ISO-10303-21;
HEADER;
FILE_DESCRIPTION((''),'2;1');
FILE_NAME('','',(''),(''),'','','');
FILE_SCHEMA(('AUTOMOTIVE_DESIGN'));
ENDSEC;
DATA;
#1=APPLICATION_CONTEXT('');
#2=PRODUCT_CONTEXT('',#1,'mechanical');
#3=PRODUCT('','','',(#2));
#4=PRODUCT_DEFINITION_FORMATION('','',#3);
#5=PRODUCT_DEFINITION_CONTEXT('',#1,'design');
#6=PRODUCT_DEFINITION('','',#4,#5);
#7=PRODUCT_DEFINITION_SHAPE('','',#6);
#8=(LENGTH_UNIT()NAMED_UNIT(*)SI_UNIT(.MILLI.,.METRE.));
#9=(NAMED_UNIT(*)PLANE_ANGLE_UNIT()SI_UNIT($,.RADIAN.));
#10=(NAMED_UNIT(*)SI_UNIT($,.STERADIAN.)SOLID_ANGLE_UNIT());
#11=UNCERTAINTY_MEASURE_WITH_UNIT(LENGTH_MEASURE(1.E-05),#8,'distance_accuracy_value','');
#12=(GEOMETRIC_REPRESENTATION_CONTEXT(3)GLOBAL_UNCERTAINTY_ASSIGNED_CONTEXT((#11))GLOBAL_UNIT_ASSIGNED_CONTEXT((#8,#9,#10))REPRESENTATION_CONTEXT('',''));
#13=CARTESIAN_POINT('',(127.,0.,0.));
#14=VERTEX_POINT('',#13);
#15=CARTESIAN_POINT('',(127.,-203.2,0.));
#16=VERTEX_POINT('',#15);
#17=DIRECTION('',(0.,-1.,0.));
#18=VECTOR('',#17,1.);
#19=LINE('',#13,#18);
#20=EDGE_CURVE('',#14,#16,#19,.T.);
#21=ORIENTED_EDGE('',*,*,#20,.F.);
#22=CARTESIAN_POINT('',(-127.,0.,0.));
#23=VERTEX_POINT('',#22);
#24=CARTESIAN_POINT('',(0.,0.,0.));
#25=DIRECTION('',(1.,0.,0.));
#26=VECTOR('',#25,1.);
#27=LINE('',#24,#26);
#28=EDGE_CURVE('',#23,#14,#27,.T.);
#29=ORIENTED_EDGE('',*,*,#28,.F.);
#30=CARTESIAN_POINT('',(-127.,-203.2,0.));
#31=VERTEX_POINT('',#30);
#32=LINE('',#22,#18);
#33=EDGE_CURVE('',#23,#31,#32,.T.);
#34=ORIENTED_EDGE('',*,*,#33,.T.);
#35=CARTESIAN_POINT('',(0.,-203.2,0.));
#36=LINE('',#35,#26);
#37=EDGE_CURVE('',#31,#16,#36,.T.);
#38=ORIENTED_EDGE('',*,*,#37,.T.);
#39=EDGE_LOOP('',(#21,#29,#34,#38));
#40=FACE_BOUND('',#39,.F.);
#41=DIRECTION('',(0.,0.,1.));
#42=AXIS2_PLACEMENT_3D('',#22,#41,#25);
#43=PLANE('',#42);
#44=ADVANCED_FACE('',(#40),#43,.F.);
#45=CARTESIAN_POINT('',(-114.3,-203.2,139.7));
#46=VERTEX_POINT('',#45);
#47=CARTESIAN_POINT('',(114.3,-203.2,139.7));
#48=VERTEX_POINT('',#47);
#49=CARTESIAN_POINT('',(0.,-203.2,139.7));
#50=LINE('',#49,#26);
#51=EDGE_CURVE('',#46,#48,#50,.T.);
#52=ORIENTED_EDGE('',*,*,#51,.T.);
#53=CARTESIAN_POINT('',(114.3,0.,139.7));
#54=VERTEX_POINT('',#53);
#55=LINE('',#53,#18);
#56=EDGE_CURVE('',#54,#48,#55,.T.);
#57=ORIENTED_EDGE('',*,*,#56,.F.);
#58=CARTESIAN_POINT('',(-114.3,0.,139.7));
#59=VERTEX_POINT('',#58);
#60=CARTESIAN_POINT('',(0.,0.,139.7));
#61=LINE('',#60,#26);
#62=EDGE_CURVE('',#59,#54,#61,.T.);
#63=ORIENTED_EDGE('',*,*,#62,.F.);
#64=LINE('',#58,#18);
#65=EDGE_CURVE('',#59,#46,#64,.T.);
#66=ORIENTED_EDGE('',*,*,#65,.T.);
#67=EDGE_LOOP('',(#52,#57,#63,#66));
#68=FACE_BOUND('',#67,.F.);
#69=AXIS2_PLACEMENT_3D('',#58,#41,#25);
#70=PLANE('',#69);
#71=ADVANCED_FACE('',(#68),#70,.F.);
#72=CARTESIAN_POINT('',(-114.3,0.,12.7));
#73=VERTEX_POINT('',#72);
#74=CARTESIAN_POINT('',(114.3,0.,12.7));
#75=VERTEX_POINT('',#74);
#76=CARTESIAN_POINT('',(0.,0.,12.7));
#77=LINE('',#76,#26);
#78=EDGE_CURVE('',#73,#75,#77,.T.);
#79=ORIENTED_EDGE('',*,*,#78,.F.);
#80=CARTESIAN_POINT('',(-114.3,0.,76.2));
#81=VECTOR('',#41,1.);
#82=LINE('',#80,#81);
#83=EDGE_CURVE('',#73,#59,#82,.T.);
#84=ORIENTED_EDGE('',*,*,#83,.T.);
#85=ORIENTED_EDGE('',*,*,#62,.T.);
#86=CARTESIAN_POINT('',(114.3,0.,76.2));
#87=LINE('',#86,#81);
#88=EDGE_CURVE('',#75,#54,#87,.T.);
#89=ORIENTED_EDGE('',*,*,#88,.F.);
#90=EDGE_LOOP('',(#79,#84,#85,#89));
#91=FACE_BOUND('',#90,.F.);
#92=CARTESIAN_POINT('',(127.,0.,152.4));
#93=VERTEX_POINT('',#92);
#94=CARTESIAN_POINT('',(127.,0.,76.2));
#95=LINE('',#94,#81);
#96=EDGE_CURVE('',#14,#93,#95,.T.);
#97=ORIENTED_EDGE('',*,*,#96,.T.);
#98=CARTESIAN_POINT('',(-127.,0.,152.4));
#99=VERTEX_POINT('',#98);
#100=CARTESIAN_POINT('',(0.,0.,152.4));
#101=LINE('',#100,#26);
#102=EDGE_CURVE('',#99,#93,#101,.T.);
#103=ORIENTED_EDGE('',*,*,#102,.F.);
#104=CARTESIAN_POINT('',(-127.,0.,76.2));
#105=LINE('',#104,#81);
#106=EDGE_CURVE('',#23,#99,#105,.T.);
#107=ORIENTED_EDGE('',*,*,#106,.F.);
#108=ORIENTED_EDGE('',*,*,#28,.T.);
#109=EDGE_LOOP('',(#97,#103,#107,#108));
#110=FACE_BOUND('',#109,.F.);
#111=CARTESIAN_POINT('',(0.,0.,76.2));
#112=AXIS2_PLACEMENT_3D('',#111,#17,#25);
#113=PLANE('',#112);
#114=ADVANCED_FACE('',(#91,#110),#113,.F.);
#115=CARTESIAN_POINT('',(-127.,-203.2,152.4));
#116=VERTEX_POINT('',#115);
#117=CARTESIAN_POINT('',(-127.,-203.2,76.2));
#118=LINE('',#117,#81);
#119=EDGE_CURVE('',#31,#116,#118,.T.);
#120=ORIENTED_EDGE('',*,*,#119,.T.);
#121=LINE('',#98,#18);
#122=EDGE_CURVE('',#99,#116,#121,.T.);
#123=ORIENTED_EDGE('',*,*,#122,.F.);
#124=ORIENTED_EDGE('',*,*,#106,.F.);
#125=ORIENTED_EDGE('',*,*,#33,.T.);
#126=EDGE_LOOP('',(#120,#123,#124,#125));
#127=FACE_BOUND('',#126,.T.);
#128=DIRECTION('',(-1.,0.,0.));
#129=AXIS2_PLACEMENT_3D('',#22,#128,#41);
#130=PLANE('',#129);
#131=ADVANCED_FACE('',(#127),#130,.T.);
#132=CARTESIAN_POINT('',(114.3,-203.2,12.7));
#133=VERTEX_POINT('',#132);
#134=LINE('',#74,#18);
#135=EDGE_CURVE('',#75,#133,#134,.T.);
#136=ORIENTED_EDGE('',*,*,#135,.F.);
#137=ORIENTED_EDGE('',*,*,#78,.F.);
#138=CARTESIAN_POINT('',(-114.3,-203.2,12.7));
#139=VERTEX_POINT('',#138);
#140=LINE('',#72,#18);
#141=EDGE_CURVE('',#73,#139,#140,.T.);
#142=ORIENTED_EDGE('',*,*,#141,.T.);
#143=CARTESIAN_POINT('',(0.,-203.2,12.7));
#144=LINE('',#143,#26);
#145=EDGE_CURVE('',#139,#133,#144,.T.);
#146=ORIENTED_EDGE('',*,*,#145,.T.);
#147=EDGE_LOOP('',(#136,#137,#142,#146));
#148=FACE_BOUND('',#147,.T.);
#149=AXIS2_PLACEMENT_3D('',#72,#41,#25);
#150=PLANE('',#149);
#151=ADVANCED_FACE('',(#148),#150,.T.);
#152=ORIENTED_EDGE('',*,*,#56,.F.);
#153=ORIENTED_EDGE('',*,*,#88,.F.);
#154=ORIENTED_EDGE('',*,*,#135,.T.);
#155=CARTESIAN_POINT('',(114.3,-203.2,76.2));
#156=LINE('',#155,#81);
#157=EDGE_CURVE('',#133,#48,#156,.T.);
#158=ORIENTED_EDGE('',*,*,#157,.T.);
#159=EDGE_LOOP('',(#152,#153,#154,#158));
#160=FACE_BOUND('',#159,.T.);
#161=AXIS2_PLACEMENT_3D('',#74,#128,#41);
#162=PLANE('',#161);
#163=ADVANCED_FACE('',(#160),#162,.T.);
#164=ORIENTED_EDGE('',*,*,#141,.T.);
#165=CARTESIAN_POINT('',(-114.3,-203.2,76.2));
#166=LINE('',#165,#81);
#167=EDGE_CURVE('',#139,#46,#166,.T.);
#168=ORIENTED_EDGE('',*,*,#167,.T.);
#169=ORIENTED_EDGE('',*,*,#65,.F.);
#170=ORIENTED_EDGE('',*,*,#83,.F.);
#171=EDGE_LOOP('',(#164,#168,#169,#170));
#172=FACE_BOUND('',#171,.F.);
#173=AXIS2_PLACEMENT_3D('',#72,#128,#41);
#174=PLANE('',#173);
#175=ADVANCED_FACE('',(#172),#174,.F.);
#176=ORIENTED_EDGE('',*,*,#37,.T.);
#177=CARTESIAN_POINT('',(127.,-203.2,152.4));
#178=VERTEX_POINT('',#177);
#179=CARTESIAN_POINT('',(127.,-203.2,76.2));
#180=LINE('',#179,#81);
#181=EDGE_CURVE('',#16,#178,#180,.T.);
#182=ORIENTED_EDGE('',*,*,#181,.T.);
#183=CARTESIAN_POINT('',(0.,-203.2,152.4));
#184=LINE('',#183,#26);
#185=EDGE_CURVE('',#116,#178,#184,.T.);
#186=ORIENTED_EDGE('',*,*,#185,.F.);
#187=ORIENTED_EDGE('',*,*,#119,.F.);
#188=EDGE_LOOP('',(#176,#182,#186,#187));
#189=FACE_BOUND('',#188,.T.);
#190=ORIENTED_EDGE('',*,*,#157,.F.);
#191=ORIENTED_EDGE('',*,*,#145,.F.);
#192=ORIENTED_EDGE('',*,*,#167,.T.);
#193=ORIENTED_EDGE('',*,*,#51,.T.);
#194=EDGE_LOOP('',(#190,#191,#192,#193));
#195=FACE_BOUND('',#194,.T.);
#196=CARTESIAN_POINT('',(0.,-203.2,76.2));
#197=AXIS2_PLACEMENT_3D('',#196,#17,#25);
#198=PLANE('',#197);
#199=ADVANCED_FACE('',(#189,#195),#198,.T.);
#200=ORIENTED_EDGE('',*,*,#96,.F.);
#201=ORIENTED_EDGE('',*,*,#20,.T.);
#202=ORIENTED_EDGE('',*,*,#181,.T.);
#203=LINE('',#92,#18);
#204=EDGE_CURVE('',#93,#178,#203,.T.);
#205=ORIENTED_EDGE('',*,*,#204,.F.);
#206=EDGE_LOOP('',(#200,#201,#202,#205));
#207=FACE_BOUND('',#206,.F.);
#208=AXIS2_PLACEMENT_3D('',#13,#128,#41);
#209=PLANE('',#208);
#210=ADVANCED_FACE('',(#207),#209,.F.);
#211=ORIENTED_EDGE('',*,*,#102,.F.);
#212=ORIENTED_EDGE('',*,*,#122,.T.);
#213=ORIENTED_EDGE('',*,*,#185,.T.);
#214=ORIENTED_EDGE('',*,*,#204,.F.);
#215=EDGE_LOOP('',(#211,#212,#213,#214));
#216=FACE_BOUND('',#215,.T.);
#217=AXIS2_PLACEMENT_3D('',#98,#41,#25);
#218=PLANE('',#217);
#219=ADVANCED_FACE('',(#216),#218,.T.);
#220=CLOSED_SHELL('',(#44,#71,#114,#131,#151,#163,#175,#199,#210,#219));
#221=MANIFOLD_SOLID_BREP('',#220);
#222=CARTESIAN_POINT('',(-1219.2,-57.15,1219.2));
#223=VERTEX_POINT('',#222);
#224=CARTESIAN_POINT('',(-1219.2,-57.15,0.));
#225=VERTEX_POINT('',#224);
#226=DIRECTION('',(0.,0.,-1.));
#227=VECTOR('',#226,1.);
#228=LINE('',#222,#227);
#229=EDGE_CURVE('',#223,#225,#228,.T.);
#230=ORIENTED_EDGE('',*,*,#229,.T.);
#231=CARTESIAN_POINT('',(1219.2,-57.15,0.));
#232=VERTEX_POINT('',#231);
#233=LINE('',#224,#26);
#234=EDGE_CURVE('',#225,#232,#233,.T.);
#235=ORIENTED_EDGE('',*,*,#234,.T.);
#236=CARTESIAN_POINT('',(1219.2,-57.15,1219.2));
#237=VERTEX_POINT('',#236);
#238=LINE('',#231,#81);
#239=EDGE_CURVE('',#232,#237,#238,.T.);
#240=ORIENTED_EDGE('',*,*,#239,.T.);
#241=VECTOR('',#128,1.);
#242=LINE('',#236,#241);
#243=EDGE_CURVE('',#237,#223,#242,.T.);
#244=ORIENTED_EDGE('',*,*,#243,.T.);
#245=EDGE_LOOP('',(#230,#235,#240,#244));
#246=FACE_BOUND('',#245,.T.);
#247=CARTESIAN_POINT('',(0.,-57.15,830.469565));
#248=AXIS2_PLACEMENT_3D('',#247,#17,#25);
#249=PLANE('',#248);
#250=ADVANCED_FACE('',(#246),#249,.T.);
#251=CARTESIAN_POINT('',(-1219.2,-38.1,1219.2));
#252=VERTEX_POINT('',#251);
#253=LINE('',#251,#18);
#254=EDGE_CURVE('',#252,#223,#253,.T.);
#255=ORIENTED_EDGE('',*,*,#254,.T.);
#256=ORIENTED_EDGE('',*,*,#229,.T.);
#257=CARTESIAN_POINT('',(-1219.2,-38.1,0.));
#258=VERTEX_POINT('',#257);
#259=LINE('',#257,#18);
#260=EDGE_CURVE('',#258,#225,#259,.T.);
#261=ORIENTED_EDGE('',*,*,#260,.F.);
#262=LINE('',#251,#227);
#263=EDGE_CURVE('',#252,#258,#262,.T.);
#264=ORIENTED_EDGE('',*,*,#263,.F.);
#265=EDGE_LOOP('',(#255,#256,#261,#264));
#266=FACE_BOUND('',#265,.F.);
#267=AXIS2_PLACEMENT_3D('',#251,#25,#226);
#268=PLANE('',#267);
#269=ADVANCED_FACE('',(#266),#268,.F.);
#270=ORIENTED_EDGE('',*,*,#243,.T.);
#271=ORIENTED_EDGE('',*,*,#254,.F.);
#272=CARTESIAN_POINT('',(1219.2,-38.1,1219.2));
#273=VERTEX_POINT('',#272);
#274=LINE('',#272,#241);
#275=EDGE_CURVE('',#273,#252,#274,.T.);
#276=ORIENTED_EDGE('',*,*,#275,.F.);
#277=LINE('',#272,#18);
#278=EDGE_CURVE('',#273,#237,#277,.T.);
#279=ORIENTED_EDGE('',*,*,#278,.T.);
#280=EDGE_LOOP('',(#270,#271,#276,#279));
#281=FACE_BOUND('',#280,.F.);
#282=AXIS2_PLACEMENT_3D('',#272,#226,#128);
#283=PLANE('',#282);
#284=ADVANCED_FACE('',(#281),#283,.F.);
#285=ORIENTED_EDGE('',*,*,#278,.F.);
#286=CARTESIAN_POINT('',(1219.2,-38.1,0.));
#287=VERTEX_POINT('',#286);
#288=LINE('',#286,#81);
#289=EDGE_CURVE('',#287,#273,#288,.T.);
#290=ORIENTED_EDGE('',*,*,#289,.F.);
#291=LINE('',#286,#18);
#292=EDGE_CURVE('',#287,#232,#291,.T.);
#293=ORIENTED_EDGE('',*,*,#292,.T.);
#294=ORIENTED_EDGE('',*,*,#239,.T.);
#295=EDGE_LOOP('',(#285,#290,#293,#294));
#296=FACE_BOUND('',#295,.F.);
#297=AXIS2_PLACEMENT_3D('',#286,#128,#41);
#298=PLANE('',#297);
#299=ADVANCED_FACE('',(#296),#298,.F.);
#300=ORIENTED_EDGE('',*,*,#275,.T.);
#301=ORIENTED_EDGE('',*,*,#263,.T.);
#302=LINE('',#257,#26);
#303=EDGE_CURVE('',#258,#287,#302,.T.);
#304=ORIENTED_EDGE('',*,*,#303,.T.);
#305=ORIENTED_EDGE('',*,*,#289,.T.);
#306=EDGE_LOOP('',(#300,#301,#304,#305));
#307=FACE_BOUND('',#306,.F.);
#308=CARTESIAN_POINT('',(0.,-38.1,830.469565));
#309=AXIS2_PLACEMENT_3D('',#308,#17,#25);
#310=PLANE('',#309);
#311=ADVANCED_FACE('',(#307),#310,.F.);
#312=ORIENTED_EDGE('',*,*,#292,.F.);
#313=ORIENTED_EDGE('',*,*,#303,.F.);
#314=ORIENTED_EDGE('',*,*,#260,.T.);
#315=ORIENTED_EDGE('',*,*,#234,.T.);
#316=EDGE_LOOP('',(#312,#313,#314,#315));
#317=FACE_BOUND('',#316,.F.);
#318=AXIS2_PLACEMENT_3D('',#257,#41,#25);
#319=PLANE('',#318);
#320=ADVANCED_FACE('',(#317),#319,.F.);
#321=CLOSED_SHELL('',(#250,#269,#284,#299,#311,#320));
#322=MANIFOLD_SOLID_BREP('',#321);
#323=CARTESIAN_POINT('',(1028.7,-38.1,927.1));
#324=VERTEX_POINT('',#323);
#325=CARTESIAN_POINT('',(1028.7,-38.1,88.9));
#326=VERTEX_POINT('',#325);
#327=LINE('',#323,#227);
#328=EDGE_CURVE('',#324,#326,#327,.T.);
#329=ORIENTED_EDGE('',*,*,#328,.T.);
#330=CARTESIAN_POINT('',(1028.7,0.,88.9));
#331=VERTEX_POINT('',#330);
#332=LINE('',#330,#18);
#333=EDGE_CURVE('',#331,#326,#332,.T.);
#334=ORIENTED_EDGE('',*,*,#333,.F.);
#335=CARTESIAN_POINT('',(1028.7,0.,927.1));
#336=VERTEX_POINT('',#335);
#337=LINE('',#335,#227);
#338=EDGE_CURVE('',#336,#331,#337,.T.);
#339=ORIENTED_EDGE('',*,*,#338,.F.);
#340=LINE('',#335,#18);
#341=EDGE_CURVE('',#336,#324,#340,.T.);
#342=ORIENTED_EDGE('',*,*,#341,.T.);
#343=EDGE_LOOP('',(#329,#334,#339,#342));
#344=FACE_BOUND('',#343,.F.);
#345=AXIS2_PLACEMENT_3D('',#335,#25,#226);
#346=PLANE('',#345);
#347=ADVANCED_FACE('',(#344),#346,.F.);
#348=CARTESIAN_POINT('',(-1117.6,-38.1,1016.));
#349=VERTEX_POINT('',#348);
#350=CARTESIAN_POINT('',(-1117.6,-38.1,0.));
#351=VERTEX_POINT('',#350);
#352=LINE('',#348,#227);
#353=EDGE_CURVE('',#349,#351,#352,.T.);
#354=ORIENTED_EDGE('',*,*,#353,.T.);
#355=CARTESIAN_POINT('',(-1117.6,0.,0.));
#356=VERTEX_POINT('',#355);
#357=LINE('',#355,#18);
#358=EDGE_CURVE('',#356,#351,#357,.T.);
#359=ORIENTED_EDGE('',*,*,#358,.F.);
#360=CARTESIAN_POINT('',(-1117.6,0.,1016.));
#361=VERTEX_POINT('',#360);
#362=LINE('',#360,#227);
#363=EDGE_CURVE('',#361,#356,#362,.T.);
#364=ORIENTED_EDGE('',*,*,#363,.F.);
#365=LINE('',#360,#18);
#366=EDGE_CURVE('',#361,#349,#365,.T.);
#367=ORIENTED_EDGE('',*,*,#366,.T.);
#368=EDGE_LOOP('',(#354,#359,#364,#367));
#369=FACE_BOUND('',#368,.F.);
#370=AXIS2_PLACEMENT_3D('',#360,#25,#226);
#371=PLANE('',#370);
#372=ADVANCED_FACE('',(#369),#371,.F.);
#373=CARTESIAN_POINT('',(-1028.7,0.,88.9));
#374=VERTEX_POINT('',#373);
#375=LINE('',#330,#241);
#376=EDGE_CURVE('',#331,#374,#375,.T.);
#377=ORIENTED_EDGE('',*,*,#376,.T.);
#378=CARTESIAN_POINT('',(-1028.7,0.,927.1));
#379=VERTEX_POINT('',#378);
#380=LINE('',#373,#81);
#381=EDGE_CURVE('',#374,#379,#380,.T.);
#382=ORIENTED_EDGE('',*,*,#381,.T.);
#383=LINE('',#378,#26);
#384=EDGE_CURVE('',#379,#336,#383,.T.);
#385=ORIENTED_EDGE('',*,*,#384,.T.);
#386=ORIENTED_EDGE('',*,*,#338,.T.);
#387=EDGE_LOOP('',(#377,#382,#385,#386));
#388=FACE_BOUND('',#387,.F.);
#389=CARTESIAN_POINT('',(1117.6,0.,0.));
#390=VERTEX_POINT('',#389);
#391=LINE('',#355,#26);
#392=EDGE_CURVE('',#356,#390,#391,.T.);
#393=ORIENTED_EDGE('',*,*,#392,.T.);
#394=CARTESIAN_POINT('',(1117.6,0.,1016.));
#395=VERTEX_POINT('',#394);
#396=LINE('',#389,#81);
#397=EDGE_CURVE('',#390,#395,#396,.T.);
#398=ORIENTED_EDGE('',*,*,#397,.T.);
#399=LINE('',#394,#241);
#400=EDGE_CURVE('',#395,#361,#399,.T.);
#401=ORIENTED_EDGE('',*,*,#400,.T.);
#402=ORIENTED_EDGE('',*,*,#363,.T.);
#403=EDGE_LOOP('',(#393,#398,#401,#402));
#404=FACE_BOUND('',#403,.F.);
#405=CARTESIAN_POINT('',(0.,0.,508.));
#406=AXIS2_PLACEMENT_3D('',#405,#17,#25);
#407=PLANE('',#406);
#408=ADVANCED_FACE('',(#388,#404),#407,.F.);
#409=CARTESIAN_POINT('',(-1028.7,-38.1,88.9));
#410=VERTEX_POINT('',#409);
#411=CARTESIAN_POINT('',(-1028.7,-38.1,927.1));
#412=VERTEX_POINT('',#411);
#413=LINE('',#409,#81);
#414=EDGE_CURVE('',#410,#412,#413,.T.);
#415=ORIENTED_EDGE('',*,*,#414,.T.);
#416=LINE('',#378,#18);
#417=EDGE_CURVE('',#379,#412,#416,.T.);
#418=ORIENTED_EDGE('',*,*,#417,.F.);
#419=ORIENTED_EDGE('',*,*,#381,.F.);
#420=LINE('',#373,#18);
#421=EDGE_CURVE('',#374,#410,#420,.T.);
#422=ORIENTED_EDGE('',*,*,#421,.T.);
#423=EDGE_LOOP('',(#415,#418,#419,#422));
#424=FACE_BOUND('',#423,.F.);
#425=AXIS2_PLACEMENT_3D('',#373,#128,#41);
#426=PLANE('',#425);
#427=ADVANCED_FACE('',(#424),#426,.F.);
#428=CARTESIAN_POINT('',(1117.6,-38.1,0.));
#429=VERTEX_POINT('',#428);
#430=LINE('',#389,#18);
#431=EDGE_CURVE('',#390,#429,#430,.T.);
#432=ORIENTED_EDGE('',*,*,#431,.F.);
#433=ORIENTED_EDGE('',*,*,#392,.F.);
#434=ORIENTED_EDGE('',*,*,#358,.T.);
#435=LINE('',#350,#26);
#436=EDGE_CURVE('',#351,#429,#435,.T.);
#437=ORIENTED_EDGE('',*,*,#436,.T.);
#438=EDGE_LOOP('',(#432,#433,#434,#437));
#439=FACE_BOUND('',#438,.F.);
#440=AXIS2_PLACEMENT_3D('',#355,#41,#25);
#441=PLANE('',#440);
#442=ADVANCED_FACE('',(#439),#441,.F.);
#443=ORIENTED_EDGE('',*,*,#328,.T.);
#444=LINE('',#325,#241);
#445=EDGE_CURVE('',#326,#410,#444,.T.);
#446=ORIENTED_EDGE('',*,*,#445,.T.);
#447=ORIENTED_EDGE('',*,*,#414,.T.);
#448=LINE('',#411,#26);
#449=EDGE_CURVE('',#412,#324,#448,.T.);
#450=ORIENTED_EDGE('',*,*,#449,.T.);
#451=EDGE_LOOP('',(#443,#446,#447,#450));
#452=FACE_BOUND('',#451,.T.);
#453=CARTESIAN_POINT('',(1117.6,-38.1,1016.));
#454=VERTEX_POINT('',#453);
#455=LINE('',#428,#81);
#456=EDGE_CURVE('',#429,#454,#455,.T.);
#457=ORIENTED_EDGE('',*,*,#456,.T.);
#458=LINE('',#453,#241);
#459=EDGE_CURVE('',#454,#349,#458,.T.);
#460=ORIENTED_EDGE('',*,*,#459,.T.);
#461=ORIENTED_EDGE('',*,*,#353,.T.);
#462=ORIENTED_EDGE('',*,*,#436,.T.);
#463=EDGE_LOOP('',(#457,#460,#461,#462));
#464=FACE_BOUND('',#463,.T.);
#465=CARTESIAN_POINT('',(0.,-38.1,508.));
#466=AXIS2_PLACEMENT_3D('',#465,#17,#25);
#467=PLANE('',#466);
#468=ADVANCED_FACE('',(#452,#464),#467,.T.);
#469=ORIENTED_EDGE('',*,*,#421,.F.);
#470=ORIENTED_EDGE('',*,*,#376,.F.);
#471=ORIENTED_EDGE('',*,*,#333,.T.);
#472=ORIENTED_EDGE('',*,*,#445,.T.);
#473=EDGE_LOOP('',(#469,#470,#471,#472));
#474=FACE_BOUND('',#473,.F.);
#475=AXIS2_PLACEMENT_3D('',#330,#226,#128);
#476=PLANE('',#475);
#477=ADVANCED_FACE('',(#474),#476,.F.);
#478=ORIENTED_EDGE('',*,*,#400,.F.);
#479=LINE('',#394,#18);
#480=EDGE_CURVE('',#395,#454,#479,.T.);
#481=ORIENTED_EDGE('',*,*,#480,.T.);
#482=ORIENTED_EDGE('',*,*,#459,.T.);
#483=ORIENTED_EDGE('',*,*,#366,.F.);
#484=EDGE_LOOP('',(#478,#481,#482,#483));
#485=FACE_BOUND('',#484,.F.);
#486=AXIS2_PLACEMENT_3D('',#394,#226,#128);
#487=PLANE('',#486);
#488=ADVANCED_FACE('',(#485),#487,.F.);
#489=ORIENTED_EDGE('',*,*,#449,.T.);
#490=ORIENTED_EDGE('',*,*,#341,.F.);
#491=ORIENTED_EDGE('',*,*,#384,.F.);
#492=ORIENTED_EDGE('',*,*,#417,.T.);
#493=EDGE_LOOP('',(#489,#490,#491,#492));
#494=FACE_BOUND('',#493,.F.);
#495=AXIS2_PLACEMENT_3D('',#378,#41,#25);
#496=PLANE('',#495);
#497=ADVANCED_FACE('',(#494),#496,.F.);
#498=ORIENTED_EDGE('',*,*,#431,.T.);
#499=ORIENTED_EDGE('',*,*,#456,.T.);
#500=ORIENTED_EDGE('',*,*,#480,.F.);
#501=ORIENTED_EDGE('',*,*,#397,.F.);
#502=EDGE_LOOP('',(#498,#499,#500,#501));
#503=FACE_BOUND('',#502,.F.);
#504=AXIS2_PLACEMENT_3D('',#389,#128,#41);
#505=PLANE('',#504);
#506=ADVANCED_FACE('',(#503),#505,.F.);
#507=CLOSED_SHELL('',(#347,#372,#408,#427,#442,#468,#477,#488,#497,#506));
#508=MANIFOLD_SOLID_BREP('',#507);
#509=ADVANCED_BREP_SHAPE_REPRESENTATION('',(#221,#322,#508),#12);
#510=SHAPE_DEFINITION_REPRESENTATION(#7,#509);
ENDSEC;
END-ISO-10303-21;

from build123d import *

# Parameters (mm, degrees)
F1_DEPTH = 38.1
F2_W     = 2438.4
F2_H     = 1219.2
F3_DEPTH = 19.05
F4_W     = 254
F4_H     = 152.4
F4_W_2   = 228.6
F4_H_2   = 127
F5_DEPTH = 203.2


with BuildPart() as f1:
    # F0 (on Front) → F1 (new body)
    with BuildSketch(Plane.XZ):
        Polygon((-1117.6, 1016), (-1117.6, 0), (0, 0), (1117.6, 0), (1117.6, 1016), align=None)
        Polygon((1028.7, 88.9), (0, 88.9), (-1028.7, 88.9), (-1028.7, 927.1), (1028.7, 927.1), align=None, mode=Mode.SUBTRACT)
    extrude(amount=F1_DEPTH)


with BuildPart() as f3:
    # F2 (on face) → F3 (new body)
    with BuildSketch(Plane.XZ.offset(38.1)):
        Polygon((1219.2, 1219.2), (-1219.2, 1219.2), (-1219.2, 0), (-1117.6, 0), (-1117.6, 1016), (1117.6, 1016), (1117.6, 0), (1219.2, 0), align=None)
        with Locations((0, 609.6)):
            Rectangle(F2_W, F2_H)
    extrude(amount=F3_DEPTH)


with BuildPart() as f5:
    # F4 (on Front) → F5 (new body)
    with BuildSketch(Plane.XZ):
        with Locations((0, 76.2)):
            Rectangle(F4_W, F4_H)
        with Locations((0, 76.2)):
            Rectangle(F4_W_2, F4_H_2, mode=Mode.SUBTRACT)
    extrude(amount=F5_DEPTH)


solid = Compound([f1.part, f3.part, f5.part])
